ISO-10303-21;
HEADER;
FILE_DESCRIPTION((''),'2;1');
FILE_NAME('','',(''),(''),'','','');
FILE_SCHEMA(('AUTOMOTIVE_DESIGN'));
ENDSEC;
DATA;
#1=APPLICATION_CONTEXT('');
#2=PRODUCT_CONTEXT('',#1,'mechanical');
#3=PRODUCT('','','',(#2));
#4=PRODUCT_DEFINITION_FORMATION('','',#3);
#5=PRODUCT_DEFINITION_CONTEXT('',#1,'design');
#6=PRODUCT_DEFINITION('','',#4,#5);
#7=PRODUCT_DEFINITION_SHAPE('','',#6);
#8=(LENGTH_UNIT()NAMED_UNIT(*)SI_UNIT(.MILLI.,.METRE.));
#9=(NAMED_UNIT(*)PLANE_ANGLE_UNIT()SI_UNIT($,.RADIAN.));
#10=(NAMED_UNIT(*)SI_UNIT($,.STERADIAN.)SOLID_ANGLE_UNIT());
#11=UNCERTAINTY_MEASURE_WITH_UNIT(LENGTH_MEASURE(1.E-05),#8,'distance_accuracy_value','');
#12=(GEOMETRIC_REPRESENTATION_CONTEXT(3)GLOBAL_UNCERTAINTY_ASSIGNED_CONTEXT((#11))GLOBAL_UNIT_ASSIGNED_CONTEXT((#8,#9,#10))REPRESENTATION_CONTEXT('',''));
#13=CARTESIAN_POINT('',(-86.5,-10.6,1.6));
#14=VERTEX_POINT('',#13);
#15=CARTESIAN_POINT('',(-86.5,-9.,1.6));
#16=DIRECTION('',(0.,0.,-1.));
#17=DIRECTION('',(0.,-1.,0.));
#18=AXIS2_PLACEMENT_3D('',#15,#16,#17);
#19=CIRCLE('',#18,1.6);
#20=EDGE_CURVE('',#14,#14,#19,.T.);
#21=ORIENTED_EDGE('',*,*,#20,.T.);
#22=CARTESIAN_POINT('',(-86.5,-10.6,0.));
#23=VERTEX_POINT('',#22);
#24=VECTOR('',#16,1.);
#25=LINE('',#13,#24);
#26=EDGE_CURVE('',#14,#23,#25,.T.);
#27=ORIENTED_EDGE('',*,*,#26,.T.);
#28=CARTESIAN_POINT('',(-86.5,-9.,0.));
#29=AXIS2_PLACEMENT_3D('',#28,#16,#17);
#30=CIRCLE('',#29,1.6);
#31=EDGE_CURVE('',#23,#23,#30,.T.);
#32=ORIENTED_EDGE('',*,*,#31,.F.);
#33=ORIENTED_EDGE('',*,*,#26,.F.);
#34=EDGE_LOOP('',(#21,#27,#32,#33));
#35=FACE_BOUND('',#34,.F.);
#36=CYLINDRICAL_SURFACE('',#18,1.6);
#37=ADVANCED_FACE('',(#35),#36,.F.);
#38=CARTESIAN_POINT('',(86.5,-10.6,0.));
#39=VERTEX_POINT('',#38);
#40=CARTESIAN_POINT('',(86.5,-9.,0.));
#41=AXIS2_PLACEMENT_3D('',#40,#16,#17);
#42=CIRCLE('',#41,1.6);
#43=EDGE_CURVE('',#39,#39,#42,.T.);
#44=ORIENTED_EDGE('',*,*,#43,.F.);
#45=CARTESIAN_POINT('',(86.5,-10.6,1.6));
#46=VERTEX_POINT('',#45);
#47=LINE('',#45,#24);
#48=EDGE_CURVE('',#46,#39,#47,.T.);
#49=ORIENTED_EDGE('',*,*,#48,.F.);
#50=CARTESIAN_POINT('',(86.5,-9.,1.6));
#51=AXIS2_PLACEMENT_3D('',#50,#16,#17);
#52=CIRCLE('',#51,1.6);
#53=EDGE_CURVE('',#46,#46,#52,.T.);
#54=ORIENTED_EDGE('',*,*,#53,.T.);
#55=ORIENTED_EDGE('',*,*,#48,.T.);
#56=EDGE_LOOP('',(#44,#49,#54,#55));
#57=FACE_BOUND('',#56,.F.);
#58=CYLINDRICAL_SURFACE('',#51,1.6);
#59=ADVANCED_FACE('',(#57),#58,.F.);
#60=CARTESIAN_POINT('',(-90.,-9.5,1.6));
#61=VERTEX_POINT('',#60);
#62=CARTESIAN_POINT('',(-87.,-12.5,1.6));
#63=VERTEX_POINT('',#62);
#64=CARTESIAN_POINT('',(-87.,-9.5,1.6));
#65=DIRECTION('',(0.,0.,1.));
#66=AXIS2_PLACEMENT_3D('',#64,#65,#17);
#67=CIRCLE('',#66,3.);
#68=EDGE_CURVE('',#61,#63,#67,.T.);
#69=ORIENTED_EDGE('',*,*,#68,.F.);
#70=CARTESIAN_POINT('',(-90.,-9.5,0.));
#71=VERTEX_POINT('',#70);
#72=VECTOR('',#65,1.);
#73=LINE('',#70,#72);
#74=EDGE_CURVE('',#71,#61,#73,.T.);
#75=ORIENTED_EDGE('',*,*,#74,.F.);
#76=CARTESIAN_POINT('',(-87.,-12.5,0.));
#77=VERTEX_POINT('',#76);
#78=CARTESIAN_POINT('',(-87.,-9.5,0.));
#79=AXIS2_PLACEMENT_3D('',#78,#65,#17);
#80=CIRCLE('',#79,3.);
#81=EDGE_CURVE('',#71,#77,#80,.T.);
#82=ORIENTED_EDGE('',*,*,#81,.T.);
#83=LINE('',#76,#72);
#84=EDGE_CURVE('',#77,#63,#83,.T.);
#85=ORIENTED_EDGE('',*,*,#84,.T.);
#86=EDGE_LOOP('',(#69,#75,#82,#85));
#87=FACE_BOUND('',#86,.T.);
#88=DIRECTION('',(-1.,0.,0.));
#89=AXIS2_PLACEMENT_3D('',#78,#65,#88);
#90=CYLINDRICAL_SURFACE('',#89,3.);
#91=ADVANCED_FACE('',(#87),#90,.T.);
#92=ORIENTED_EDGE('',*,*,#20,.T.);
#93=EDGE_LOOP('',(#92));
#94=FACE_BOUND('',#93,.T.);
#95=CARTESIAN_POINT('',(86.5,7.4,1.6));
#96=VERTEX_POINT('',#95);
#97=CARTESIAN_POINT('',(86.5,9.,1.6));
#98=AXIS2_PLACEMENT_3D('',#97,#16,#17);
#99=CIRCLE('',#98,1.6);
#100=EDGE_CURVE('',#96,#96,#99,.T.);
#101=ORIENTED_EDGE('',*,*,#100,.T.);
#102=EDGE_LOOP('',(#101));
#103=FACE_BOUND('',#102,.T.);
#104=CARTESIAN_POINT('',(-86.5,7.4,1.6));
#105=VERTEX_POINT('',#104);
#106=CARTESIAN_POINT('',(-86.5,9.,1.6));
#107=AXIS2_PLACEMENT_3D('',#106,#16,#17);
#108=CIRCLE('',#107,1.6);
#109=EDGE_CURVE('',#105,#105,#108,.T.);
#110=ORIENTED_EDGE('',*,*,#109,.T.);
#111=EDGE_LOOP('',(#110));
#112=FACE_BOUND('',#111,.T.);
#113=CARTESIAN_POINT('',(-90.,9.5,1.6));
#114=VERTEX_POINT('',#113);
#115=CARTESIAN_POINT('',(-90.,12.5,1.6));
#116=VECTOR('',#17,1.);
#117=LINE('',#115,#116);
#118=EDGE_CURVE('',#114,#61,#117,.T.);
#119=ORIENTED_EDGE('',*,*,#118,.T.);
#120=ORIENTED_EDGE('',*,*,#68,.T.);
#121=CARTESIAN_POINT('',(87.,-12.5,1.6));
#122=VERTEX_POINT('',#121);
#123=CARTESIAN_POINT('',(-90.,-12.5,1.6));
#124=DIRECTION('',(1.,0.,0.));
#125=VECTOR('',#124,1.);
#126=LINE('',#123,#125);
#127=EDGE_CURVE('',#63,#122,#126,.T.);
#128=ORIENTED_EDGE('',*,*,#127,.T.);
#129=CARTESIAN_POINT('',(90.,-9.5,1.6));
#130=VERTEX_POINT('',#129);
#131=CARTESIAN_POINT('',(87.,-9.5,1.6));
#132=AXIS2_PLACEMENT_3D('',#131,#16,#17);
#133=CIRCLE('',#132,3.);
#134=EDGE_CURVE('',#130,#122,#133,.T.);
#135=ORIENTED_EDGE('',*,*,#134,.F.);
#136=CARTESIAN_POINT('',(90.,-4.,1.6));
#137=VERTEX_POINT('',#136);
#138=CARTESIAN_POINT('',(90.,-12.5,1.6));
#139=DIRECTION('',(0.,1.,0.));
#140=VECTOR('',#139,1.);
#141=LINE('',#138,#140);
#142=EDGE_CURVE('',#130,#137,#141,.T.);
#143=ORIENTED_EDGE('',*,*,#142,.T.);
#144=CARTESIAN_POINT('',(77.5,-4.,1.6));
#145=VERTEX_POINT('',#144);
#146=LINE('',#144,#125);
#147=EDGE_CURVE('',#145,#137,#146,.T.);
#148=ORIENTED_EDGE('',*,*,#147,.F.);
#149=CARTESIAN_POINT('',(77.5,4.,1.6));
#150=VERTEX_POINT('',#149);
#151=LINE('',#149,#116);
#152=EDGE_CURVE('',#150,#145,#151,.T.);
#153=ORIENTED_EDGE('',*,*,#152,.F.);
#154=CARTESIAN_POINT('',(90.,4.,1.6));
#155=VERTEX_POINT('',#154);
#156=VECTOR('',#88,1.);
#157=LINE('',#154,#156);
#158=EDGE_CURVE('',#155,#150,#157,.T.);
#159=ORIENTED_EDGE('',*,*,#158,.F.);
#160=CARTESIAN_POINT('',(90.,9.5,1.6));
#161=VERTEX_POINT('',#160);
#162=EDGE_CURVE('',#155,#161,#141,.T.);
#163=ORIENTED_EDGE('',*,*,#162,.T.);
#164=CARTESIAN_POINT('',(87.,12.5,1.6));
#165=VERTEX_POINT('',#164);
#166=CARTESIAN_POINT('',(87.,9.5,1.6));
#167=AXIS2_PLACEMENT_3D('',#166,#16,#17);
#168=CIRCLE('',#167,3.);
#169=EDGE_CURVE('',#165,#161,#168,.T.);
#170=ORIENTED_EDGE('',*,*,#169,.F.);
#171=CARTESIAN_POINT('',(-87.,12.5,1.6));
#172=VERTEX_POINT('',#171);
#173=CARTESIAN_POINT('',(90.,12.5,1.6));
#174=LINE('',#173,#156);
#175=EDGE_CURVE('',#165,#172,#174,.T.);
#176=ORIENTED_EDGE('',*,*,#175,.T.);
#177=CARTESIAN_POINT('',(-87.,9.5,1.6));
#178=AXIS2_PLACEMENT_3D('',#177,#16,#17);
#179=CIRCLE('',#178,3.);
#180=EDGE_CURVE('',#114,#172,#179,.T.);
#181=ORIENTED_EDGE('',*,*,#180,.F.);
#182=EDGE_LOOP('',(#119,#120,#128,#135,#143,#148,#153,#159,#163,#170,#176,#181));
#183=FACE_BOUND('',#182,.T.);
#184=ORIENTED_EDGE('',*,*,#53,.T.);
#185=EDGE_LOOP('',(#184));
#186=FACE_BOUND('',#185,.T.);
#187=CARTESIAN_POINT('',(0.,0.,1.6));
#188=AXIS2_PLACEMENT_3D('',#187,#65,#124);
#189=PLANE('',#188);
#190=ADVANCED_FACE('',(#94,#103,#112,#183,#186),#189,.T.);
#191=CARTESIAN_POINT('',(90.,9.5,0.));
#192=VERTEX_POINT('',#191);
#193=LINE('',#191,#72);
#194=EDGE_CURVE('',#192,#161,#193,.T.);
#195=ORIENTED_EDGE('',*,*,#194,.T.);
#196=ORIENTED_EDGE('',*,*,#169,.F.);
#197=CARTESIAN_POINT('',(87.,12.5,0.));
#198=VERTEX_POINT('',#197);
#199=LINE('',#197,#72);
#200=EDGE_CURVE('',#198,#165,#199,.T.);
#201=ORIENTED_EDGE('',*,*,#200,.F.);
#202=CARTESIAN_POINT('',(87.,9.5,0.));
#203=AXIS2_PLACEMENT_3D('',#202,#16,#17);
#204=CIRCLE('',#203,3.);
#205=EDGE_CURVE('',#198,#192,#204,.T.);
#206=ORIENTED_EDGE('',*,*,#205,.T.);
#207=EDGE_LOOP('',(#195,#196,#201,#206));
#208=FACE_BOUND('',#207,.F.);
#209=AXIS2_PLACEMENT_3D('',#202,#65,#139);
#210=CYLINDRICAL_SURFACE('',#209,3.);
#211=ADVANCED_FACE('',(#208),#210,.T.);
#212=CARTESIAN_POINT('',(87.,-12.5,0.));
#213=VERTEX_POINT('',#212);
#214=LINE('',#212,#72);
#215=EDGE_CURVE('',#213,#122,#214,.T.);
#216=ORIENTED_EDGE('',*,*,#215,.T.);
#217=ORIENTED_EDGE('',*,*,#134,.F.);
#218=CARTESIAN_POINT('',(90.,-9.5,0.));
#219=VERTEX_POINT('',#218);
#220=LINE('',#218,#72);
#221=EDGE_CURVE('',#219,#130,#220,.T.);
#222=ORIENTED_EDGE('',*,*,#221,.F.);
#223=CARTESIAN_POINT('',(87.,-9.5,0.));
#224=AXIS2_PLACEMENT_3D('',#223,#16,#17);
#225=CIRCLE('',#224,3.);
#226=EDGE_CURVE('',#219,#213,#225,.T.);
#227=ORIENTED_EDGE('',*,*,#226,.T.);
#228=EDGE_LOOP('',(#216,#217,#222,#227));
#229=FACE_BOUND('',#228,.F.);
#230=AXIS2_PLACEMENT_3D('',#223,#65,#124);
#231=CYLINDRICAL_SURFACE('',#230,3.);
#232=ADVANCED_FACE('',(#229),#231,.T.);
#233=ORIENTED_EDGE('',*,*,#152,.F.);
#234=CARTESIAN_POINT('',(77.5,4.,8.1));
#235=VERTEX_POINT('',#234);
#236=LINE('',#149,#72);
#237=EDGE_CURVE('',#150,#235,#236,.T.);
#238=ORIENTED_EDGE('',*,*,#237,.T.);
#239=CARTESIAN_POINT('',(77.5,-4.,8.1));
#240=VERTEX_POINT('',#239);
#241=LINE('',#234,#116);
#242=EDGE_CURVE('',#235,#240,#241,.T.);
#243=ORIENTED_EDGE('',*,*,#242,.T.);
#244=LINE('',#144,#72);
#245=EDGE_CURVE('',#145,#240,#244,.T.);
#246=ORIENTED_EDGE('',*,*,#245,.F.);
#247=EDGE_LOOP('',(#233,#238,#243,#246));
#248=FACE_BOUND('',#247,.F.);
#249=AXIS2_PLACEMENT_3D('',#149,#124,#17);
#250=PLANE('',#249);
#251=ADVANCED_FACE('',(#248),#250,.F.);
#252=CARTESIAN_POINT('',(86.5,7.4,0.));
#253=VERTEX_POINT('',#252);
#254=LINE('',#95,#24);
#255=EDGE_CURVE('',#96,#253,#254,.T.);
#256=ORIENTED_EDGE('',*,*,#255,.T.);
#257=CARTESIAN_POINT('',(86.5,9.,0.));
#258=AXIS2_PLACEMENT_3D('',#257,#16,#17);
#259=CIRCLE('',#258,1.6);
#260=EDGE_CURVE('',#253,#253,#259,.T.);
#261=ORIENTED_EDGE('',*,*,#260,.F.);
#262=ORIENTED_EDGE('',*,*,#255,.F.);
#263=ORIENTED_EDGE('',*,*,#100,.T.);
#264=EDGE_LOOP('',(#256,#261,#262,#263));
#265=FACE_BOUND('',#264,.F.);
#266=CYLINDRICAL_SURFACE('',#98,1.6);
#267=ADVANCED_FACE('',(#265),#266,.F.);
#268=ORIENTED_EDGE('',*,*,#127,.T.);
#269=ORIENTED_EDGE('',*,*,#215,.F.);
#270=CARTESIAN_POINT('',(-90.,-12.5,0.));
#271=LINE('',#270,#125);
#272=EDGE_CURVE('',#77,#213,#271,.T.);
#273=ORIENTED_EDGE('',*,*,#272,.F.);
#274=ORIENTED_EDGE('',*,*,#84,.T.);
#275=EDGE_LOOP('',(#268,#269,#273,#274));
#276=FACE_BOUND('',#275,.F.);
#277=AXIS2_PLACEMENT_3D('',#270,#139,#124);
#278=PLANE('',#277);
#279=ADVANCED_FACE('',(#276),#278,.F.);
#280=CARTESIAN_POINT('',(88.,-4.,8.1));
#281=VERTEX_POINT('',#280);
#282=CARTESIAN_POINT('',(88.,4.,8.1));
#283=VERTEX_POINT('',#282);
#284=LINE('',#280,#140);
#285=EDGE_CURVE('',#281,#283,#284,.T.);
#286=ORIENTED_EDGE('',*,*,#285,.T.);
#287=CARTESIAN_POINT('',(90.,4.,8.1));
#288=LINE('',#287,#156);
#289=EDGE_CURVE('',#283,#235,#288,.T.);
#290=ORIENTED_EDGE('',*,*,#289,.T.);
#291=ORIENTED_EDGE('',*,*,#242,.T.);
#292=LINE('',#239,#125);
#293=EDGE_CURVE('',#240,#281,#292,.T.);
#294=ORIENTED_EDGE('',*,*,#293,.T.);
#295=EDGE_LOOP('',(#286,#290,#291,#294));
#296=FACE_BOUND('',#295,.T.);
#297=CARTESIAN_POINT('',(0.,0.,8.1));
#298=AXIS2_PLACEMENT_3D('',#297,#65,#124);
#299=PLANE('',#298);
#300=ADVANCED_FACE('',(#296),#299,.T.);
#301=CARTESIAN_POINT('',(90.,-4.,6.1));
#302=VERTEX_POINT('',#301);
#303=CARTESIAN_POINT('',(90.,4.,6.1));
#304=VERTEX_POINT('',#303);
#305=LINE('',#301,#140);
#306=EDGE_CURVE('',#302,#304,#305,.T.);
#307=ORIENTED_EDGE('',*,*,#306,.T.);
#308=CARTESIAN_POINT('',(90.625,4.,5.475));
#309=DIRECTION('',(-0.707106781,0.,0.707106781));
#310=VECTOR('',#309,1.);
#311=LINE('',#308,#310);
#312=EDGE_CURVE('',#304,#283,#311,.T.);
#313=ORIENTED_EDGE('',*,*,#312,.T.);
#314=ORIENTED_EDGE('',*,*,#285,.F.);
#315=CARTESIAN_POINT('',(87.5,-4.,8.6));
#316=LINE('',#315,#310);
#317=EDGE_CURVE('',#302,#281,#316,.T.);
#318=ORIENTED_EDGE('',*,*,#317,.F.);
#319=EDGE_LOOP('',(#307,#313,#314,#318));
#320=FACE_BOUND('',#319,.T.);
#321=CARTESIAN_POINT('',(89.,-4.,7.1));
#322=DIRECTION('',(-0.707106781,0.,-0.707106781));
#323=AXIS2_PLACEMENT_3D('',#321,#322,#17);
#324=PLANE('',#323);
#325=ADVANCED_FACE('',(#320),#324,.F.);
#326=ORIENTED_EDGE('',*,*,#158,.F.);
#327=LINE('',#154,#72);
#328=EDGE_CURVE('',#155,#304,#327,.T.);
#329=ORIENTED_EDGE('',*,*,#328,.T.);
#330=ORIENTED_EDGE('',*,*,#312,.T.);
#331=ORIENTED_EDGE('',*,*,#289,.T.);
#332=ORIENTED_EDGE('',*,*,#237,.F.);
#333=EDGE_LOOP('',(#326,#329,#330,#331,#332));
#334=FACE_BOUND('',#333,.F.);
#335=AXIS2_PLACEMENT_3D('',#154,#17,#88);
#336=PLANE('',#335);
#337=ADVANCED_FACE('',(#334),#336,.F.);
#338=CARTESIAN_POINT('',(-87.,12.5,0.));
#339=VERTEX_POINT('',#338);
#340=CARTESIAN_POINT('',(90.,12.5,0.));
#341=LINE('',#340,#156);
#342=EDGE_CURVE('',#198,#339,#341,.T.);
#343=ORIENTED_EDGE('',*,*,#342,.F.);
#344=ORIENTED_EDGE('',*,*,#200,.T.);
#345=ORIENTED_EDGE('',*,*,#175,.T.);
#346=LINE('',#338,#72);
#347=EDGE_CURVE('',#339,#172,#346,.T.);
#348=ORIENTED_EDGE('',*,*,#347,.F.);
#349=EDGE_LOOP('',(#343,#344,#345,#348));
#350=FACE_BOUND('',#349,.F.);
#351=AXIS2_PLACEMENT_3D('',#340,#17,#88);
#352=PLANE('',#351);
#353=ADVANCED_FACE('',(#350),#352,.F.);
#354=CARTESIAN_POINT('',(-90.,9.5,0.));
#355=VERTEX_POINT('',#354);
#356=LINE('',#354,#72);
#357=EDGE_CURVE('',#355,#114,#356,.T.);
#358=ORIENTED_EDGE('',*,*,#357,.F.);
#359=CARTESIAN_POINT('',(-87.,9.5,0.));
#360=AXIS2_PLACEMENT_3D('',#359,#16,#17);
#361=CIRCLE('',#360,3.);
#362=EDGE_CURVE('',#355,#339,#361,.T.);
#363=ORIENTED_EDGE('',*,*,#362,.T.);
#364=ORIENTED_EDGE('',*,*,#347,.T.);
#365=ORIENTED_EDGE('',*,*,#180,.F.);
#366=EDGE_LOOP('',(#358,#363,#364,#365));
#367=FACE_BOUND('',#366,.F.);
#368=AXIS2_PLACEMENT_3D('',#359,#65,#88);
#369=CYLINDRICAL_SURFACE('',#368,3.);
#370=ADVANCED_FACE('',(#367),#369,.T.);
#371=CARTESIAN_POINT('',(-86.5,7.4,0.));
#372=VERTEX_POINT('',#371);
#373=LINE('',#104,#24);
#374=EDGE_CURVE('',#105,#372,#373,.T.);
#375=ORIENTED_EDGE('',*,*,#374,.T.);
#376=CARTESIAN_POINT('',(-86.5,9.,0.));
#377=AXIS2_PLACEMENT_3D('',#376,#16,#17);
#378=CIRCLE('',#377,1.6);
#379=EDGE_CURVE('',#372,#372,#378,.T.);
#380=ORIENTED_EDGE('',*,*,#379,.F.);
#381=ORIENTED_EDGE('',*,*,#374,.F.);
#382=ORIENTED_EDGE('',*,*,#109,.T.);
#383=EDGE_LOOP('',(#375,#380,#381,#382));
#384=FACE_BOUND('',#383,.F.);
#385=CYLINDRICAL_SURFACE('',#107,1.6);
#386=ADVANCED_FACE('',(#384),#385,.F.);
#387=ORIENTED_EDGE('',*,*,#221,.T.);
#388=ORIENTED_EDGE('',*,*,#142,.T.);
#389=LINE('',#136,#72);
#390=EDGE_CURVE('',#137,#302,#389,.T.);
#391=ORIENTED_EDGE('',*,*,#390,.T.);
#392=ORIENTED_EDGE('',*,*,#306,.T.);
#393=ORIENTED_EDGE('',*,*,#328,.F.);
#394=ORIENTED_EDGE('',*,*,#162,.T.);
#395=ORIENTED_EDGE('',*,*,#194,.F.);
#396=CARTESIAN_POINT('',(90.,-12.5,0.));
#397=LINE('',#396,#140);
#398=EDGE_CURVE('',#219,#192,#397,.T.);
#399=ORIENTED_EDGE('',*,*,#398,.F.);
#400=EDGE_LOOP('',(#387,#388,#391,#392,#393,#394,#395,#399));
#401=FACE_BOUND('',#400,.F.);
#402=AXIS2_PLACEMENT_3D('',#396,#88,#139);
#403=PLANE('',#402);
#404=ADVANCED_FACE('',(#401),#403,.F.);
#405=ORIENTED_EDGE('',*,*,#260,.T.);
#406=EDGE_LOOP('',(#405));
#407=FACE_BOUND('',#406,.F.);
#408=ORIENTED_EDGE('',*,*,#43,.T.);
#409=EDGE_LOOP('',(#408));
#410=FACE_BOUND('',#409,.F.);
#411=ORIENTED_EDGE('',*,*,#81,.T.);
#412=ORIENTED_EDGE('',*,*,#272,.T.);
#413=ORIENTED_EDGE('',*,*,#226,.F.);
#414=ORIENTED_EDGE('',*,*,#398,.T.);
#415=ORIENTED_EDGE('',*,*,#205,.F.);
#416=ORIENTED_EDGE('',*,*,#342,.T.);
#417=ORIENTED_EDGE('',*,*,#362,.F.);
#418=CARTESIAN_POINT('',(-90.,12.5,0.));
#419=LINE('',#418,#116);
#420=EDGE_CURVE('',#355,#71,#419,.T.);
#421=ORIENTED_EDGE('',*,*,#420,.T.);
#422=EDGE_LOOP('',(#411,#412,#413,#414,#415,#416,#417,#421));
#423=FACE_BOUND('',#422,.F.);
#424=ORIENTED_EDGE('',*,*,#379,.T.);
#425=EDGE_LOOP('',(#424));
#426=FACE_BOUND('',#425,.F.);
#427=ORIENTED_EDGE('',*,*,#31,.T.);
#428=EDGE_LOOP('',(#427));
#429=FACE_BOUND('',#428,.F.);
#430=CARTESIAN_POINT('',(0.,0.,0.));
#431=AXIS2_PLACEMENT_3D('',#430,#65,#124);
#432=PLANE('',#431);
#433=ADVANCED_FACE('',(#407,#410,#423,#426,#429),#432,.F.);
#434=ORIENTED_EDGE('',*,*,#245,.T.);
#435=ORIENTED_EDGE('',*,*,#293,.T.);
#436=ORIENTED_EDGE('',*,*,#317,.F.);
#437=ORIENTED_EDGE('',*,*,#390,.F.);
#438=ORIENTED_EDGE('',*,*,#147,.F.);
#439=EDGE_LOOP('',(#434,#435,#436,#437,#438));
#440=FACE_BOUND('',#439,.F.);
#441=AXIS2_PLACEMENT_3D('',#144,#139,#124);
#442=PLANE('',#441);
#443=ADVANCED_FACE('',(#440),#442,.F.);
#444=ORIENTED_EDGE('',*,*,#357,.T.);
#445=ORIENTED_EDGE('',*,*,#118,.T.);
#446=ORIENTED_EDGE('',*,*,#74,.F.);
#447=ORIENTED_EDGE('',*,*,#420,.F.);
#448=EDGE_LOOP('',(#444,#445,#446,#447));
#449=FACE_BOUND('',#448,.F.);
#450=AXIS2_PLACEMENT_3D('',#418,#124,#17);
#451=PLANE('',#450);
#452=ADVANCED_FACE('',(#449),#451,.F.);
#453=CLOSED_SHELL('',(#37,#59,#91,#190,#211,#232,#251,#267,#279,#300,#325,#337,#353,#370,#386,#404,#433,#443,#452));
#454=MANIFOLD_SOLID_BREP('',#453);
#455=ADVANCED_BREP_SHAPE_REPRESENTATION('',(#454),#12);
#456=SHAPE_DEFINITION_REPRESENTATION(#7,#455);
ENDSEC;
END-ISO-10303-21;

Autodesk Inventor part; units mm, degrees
ref_plane "YZ Plane" through (0, 0, 0) normal (1, 0, 0) x (0, 1, 0)
ref_plane "XZ Plane" through (0, 0, 0) normal (0, 1, 0) x (-1, 0, 0)
ref_plane "XY Plane" through (0, 0, 0) normal (0, 0, 1) x (1, 0, 0)
sketch "Sketch1" plane through (0, 0, 0) normal (0, 0, 1) x (1, 0, 0)
  line L0 (-90, -12.5) -> (90, -12.5)
  line L1 (90, -12.5) -> (90, 12.5)
  line L2 (90, 12.5) -> (-90, 12.5)
  line L3 (-90, 12.5) -> (-90, -12.5)
  point P0 (0, 0)
  dimension "d0" = 25
  dimension "d1" = 12.5
  dimension "d2" = 180
  dimension "d3" = 90
extrude "Extrusion1" add sketch "Sketch1" along normal blind 1.6
fillet "Fillet1" radius 3 4 edges at (-90, -12.5, 0.8) (-90, 12.5, 0.8) (90, -12.5, 0.8) (90, 12.5, 0.8)
sketch "Sketch2" plane through (0, 0, 1.6) normal (0, 0, 1) x (1, 0, 0)
  line L0 (-86.5, 9) -> (86.5, 9) construction
  line L1 (86.5, 9) -> (86.5, -9) construction
  line L2 (86.5, -9) -> (-86.5, -9) construction
  line L3 (-86.5, -9) -> (-86.5, 9) construction
  point P0 (0, 0)
  dimension "d7" = 18
  dimension "d8" = 9
  dimension "d9" = 173
  dimension "d10" = 86.5
hole "Hole1" at (-86.5, 9, 1.6) at (-86.5, -9, 1.6) at (86.5, -9, 1.6) at (86.5, 9, 1.6) direction (0, 0, -1) diameter 3.2 end through all
sketch "Sketch4" plane through (0, 0, 1.6) normal (0, 0, 1) x (1, 0, 0)
  line L0 (90, -9.5) -> (90, 9.5) projected
  line L1 (90, 4) -> (77.5, 4)
  line L2 (77.5, 4) -> (77.5, -4)
  line L3 (77.5, -4) -> (90, -4)
  line L4 (90, -4) -> (90, 4)
  point P0 (0, 0)
  dimension "d20" = 8
  dimension "d21" = 4
  dimension "d22" = 12.5
extrude "Extrusion3" add sketch "Sketch4" along normal blind 6.5
chamfer "Chamfer1" distance 2 angle 45 1 edges at (90, 0, 8.1)
equation "\"d1\" = 0.5 * d0"
equation "\"d3\" = 0.5 * d2"
equation "\"d8\" = 0.5 * d7"
equation "\"d10\" = 0.5 * d9"
equation "\"d21\" = 0.5 * d20"
properties part number "SH8_003.1-sunhub8-PCB"
